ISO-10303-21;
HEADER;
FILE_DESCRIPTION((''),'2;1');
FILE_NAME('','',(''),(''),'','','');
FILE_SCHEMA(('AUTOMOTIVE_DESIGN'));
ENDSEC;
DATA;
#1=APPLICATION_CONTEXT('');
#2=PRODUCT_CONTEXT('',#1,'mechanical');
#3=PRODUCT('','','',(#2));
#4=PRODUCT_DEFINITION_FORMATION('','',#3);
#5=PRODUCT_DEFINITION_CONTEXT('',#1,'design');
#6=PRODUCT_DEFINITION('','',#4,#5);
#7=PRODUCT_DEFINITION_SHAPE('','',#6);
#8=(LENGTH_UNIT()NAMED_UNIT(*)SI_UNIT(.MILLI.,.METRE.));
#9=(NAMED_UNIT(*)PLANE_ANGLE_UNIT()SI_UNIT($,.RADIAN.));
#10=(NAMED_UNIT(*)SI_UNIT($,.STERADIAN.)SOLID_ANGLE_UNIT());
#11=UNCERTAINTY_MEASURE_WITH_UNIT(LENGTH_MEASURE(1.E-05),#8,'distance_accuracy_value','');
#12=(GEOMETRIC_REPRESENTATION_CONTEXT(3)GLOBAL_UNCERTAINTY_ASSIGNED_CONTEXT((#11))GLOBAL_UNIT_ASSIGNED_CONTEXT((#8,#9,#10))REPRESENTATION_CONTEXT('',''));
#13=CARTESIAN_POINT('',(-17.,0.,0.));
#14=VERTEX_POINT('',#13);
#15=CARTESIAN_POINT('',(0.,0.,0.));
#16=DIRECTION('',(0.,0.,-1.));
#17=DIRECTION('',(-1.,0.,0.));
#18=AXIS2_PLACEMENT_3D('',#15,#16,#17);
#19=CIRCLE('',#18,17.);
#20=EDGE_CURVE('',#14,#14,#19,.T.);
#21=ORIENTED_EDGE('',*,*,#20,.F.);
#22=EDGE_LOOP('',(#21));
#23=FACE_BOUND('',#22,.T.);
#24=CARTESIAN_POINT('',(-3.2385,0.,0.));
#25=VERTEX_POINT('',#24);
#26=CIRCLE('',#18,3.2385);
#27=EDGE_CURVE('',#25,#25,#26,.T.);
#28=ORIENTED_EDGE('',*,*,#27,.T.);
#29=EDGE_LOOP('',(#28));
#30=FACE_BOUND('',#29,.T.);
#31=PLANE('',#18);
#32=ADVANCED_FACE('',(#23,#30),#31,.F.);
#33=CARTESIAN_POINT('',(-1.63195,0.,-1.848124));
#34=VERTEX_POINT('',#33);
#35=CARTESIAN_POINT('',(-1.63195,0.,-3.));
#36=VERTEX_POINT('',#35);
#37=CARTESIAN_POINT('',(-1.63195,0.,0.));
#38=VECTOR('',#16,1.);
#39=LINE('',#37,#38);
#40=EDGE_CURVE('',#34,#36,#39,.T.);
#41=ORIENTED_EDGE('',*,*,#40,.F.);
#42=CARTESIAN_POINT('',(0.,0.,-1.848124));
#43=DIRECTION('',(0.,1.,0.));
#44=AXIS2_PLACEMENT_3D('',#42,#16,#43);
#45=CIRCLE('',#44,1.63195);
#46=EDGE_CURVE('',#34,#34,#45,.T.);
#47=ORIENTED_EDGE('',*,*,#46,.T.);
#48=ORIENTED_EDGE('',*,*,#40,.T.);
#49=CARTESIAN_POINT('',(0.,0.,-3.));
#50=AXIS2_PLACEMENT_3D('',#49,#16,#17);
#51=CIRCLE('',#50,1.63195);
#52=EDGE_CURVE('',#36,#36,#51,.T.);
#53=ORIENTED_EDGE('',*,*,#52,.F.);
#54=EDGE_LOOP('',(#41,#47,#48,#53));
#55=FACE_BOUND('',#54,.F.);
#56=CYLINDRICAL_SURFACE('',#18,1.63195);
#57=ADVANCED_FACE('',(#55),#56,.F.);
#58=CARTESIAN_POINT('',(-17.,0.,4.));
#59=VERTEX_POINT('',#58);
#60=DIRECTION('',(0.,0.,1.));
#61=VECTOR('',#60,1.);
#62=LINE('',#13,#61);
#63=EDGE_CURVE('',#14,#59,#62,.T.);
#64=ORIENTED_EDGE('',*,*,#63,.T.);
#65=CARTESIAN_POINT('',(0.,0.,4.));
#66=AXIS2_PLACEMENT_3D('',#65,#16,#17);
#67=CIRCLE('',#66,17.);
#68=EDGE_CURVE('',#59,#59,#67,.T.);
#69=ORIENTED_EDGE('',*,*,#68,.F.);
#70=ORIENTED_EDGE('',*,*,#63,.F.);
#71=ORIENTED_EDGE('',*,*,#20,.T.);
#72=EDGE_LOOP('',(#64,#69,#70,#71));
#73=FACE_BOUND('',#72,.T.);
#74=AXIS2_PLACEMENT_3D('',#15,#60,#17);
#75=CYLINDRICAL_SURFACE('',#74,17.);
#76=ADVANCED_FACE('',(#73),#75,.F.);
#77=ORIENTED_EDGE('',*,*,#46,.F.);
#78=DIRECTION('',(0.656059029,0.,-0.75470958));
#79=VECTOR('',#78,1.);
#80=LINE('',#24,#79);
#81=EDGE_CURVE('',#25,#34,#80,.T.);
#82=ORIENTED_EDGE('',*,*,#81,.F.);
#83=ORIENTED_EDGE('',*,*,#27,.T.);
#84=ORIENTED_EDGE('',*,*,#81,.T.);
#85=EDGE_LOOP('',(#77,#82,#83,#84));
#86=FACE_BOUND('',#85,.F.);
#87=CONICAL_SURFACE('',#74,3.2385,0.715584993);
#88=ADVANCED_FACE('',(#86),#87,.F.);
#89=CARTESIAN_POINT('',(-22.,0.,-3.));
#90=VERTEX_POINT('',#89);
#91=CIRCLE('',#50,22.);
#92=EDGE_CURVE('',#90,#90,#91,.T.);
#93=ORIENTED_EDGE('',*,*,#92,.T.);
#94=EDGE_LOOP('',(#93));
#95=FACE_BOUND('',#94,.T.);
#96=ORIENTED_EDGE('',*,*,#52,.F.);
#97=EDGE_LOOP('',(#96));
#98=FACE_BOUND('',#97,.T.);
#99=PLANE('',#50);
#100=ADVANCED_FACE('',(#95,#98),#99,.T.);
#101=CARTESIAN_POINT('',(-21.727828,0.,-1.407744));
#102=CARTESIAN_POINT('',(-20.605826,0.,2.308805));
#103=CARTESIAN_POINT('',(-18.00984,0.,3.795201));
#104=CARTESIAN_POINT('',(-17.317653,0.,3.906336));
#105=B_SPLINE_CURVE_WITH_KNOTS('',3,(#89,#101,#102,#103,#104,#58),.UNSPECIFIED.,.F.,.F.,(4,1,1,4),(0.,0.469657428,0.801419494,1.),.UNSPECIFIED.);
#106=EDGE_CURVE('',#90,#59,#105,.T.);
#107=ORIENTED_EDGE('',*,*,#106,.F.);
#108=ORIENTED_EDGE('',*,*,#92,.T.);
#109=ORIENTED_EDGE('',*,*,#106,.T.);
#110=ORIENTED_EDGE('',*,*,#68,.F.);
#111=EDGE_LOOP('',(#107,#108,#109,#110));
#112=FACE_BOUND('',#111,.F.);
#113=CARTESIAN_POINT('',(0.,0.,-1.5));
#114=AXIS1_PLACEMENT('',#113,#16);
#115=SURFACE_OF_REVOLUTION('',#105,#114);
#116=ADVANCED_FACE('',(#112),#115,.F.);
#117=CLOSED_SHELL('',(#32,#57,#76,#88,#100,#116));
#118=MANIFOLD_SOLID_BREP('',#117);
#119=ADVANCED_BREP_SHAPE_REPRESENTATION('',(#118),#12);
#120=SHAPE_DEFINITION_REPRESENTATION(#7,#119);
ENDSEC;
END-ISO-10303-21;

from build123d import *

# Parameters (mm, degrees)
F3_D           = 3.2639
F3_CSINK_D     = 6.477
F3_CSINK_ANGLE = 82


with BuildPart() as f1:
    # F0 (on Front) → F1 (revolve)
    with BuildSketch(Plane.XZ):
        with BuildLine():
            Line((0, -3), (0, 0))
            Line((0, 0), (-17, 0))
            Line((-17, 0), (-17, 4))
            add(Edge.make_bspline(
                [(-22, -3), (-21.72782784, -1.4077438007), (-20.6058260891, 2.3088049698), (-18.0098402751, 3.7952012304), (-17.3176534593, 3.9063362913), (-17, 4)],
                knots=[0, 0, 0, 0, 0.4696574279, 0.801419494, 1, 1, 1, 1], degree=3))
            Line((-22, -3), (-17, -3))
            Line((-17, -3), (0, -3))
        make_face()
    revolve(axis=Axis((0, 0, -1.5), (0, 0, -1)))

    # F3 (through all)
    with Locations(Plane.XY):
        with Locations((0, 0)):
            CounterSinkHole(F3_D / 2, F3_CSINK_D / 2, counter_sink_angle=F3_CSINK_ANGLE)


solid = f1.part
